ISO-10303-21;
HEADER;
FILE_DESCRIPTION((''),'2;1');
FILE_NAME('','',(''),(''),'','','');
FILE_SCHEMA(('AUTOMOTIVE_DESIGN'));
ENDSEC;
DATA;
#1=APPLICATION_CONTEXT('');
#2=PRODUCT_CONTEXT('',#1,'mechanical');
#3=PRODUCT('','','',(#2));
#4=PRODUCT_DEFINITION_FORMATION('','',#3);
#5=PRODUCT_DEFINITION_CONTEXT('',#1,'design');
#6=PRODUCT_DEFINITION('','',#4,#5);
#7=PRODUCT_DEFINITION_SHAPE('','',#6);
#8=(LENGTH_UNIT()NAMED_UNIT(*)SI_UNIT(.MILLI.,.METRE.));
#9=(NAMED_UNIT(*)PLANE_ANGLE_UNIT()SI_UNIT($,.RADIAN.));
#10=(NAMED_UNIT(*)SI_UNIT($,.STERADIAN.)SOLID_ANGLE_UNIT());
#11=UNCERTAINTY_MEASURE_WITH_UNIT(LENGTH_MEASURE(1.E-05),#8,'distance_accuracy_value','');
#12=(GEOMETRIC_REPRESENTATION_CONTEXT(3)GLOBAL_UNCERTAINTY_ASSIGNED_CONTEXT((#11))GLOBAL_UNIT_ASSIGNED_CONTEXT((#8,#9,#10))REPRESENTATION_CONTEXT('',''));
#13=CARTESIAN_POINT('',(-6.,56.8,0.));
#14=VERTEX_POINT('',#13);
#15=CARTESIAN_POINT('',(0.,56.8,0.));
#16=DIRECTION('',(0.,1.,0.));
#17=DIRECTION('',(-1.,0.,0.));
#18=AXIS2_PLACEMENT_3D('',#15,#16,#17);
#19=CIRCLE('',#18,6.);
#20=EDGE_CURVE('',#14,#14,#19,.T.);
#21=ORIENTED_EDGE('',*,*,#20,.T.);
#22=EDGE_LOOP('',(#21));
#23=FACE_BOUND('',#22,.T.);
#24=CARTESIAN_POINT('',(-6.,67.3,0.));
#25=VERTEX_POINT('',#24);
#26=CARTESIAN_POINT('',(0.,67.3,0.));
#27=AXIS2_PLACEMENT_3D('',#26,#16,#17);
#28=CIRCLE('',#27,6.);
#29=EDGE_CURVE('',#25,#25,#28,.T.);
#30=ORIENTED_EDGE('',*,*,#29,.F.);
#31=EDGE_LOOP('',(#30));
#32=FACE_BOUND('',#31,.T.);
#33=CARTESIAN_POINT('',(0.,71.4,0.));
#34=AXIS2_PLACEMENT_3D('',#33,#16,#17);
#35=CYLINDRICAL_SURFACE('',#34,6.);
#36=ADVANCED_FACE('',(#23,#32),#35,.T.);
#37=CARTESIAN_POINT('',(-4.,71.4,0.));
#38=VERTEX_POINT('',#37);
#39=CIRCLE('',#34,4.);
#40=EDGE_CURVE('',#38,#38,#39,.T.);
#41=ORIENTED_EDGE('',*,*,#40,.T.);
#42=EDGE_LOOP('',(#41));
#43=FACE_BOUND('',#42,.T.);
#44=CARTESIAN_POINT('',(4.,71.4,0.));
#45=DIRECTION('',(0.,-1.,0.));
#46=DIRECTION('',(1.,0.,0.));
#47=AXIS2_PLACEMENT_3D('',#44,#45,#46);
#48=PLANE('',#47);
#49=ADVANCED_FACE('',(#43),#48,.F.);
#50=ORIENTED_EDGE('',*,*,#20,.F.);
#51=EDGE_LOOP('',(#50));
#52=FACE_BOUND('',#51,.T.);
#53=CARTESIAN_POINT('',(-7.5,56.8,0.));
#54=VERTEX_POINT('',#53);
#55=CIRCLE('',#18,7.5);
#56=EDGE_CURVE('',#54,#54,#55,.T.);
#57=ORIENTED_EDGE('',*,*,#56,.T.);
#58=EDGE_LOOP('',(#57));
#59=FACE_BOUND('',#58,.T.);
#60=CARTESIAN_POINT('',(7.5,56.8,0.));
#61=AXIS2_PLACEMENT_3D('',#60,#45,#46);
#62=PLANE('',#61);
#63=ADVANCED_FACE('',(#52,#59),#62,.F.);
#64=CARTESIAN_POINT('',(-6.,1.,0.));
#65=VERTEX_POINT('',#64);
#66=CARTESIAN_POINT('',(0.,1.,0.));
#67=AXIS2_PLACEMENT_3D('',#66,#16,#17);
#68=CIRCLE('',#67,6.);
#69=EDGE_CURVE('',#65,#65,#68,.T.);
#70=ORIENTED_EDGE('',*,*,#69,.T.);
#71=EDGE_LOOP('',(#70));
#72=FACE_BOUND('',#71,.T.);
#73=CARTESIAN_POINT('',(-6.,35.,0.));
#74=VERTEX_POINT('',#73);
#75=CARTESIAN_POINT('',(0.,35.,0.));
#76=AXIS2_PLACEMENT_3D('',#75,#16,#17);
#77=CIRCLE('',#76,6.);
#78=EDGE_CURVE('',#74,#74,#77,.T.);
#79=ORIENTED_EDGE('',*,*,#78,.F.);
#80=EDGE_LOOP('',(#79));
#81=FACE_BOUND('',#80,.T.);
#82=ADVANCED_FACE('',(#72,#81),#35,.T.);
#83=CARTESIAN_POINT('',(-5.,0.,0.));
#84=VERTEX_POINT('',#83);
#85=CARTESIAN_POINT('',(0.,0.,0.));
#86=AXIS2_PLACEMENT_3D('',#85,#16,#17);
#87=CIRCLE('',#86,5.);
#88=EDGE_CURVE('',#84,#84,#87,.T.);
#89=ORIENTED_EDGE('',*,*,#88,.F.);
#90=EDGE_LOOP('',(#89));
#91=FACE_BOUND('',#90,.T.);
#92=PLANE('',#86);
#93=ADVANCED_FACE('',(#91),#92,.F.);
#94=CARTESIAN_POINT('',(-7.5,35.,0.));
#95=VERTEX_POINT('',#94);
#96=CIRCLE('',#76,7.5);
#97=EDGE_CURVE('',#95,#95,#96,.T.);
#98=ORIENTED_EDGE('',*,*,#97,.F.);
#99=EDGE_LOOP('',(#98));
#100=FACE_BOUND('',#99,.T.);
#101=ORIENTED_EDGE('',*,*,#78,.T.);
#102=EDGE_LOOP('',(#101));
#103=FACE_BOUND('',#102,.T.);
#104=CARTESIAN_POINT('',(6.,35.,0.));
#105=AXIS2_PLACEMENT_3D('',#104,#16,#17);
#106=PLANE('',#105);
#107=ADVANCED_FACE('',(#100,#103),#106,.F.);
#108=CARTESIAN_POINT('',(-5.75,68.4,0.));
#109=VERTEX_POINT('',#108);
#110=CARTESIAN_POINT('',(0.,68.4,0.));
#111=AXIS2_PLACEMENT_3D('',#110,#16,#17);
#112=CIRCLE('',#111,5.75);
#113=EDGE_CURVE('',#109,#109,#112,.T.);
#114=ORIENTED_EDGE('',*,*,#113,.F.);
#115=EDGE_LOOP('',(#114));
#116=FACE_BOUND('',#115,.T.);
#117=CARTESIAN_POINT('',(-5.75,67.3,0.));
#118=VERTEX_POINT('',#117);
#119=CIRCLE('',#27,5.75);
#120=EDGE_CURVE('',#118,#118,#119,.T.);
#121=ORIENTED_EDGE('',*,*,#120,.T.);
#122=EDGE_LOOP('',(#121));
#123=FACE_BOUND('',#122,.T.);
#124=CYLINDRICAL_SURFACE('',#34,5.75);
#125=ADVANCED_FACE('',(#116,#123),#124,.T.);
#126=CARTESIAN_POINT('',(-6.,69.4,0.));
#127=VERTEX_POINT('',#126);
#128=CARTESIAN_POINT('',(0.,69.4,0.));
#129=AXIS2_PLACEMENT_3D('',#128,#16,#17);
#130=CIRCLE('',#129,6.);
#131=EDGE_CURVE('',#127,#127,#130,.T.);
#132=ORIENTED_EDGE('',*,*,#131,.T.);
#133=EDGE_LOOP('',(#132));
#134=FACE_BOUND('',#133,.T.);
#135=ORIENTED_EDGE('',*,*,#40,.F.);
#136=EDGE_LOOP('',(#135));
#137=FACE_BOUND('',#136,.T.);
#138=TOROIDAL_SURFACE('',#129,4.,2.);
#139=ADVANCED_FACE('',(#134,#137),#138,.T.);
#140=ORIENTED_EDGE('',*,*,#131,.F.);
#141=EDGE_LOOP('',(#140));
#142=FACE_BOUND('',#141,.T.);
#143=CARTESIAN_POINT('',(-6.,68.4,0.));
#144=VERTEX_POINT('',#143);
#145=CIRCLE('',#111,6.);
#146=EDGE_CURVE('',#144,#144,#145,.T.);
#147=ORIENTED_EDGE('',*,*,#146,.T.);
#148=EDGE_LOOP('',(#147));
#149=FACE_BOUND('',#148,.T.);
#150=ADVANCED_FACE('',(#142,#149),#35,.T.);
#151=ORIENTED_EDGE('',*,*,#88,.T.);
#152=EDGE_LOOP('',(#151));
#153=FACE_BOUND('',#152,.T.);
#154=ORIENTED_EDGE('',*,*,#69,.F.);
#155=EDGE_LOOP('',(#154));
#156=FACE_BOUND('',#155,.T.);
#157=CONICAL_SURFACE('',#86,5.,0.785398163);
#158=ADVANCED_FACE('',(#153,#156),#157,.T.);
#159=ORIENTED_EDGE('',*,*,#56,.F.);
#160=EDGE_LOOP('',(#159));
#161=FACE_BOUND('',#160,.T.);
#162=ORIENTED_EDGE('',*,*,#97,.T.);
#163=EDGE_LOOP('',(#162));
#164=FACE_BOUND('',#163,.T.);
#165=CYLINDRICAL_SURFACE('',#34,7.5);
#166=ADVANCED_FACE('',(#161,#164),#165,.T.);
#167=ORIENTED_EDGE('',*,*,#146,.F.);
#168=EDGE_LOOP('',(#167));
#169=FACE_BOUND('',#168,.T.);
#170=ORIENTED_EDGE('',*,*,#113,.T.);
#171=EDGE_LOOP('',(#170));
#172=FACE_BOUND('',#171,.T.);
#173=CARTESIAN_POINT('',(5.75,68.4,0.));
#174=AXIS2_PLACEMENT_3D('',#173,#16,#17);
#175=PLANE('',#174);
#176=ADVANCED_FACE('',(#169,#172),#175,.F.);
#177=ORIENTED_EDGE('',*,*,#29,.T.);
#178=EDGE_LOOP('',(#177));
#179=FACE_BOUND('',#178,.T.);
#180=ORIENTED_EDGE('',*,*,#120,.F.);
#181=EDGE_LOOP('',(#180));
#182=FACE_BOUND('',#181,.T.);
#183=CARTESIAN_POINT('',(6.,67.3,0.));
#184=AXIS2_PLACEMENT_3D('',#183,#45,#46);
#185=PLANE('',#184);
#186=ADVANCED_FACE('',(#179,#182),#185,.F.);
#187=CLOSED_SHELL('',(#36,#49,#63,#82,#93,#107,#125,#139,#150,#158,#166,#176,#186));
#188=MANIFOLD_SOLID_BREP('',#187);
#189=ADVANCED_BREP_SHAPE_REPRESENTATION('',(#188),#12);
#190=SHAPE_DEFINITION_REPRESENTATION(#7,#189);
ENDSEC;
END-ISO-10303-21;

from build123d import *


with BuildPart() as part:
    # Sketch1 → Revolve1 (revolve)
    with BuildSketch(Plane.XY):
        with BuildLine():
            Line((0, 71.4), (0, 0))
            Line((0, 0), (5, 0))
            Line((5, 0), (6, 1))
            Line((6, 1), (6, 35))
            Line((6, 35), (7.5, 35))
            Line((7.5, 35), (7.5, 56.8))
            Line((7.5, 56.8), (6, 56.8))
            Line((6, 56.8), (6, 67.3))
            Line((6, 67.3), (5.75, 67.3))
            Line((5.75, 67.3), (5.75, 68.4))
            Line((5.75, 68.4), (6, 68.4))
            Line((6, 68.4), (6, 69.4))
            ThreePointArc((6, 69.4), (5.414213562, 70.814213562), (4, 71.4))
            Line((4, 71.4), (0, 71.4))
        make_face()
    revolve(axis=Axis((0, 71.4, 0), (0, -1, 0)))


solid = part.part
